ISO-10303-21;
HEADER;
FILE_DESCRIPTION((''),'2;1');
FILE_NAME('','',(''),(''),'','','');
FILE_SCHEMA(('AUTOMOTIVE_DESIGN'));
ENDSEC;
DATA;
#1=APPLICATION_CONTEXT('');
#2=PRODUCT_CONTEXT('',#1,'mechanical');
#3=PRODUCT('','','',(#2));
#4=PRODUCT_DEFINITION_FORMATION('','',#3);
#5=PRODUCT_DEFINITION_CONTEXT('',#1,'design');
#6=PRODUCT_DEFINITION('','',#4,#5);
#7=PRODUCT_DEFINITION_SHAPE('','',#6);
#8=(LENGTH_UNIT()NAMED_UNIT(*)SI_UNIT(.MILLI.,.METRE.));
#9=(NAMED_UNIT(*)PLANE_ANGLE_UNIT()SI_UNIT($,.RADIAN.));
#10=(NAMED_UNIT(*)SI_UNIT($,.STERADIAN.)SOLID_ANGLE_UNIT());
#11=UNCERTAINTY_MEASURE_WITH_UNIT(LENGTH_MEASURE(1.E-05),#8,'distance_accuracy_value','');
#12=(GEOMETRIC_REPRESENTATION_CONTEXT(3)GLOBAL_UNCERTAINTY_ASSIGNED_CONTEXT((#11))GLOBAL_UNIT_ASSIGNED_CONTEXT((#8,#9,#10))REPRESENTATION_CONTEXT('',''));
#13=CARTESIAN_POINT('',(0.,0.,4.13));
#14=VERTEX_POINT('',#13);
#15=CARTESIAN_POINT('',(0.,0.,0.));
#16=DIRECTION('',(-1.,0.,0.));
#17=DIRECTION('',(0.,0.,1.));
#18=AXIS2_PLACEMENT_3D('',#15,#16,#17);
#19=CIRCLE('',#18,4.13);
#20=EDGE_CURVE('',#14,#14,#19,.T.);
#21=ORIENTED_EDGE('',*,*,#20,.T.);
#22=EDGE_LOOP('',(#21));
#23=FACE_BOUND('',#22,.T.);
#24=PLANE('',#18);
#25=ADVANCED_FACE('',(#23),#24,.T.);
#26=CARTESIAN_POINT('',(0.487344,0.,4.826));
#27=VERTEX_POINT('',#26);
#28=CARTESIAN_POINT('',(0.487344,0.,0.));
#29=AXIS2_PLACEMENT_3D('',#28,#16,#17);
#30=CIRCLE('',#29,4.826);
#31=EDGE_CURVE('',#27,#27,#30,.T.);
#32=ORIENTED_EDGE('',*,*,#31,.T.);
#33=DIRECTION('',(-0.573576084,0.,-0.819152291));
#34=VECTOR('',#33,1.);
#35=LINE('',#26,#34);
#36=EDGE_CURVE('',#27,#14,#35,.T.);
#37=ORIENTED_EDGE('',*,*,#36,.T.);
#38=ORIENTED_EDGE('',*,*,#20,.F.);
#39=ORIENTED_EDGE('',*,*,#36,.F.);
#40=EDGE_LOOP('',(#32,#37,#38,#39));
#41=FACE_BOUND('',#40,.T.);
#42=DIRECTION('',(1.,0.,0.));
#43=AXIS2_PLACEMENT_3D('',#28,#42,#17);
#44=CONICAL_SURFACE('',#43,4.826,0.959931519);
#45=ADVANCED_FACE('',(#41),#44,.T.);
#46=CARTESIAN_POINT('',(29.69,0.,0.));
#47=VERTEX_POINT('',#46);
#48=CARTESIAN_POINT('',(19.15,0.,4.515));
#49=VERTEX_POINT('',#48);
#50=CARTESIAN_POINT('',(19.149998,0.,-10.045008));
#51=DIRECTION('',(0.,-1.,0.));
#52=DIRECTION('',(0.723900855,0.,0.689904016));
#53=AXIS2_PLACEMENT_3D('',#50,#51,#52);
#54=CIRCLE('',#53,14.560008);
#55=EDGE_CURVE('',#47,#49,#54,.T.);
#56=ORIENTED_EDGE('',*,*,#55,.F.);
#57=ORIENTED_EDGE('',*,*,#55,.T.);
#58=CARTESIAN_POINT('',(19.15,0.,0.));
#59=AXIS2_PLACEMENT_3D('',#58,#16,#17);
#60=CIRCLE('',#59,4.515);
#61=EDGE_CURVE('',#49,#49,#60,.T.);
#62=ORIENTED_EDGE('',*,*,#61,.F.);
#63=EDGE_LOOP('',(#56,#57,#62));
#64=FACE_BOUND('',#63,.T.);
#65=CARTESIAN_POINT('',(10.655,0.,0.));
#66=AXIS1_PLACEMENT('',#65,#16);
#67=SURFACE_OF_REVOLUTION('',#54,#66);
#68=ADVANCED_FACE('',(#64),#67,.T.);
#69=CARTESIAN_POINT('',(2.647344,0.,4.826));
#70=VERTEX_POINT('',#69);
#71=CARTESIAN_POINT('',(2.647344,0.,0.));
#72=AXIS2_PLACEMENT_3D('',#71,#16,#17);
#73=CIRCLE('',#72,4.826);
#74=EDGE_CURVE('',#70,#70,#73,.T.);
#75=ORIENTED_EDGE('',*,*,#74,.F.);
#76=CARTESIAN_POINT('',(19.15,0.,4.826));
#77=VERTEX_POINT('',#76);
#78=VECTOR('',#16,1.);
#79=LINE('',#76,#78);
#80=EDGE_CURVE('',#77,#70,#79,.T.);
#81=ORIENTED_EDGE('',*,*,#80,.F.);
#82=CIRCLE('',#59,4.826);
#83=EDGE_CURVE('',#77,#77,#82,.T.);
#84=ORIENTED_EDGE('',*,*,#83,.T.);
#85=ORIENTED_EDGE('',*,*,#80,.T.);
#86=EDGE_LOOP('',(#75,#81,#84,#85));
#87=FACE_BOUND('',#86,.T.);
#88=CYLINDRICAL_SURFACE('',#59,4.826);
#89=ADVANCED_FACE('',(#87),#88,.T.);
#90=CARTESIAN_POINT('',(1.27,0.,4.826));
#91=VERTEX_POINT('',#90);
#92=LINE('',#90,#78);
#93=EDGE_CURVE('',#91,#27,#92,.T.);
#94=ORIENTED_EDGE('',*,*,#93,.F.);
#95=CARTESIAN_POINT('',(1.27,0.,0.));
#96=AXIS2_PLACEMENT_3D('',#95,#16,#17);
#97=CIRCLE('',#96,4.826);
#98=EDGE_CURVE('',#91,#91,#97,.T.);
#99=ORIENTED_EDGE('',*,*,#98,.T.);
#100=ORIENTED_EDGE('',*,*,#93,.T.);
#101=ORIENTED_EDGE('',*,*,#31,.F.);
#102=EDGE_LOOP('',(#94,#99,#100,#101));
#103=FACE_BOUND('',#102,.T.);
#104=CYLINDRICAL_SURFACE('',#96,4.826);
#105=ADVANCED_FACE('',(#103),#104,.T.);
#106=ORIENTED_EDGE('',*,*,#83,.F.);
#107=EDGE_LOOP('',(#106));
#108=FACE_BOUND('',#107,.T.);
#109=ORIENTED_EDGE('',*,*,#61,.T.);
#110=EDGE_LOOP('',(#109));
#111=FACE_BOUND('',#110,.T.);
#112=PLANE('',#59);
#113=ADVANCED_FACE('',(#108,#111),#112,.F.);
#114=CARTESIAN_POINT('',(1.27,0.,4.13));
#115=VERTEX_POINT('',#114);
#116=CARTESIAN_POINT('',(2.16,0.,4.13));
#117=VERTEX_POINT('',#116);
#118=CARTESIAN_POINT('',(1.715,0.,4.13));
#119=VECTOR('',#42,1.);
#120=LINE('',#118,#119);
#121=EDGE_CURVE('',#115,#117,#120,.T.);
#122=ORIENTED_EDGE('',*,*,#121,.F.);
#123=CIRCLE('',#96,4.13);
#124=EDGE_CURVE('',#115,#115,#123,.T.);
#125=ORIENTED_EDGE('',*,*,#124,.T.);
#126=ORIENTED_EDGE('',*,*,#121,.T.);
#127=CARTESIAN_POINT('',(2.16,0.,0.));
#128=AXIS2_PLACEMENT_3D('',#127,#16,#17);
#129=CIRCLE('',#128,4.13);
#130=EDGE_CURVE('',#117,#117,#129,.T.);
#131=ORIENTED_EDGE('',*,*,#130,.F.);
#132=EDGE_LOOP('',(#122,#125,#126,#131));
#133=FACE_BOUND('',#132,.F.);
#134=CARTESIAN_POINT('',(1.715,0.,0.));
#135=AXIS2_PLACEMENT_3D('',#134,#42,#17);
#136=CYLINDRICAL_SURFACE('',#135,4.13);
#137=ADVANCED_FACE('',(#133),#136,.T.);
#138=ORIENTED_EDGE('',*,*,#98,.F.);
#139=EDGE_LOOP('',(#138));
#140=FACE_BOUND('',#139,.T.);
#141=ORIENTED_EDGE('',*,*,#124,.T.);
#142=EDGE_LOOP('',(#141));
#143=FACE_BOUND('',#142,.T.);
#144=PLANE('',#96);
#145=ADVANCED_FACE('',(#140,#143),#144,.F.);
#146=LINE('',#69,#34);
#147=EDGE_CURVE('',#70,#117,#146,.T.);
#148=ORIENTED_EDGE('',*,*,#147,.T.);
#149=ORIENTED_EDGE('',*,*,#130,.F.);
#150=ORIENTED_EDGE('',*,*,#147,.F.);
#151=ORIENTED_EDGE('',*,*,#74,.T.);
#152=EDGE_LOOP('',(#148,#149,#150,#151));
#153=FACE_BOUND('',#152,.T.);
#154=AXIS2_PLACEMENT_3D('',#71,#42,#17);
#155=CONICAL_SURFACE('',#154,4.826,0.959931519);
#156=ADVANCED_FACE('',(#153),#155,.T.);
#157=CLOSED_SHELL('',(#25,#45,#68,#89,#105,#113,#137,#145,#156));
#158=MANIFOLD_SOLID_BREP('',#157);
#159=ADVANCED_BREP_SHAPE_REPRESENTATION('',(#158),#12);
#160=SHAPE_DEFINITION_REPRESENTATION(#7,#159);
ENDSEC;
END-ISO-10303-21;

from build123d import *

# Parameters (mm, degrees)
F0_W = 0.89
F0_H = 4.13


with BuildPart() as f1:
    # F0 (on Front) → F1 (revolve)
    with BuildSketch(Plane.XZ):
        with BuildLine():
            Line((19.15, 4.515), (19.15, 0))
            Line((19.15, 0), (29.69, 0))
            ThreePointArc((29.69, 0), (24.883167, 3.338736), (19.15, 4.515))
        make_face()
        Polygon((2.647344, 4.826), (2.16, 4.13), (2.16, 0), (19.15, 0), (19.15, 4.515), (19.15, 4.826), align=None)
        with Locations((1.715, 2.065)):
            Rectangle(F0_W, F0_H)
        Polygon((1.27, 4.13), (1.27, 4.826), (0.487344, 4.826), (0, 4.13), (0, 0), (1.27, 0), align=None)
    revolve(axis=Axis((10.655, 0, 0), (-1, 0, 0)))


solid = f1.part
